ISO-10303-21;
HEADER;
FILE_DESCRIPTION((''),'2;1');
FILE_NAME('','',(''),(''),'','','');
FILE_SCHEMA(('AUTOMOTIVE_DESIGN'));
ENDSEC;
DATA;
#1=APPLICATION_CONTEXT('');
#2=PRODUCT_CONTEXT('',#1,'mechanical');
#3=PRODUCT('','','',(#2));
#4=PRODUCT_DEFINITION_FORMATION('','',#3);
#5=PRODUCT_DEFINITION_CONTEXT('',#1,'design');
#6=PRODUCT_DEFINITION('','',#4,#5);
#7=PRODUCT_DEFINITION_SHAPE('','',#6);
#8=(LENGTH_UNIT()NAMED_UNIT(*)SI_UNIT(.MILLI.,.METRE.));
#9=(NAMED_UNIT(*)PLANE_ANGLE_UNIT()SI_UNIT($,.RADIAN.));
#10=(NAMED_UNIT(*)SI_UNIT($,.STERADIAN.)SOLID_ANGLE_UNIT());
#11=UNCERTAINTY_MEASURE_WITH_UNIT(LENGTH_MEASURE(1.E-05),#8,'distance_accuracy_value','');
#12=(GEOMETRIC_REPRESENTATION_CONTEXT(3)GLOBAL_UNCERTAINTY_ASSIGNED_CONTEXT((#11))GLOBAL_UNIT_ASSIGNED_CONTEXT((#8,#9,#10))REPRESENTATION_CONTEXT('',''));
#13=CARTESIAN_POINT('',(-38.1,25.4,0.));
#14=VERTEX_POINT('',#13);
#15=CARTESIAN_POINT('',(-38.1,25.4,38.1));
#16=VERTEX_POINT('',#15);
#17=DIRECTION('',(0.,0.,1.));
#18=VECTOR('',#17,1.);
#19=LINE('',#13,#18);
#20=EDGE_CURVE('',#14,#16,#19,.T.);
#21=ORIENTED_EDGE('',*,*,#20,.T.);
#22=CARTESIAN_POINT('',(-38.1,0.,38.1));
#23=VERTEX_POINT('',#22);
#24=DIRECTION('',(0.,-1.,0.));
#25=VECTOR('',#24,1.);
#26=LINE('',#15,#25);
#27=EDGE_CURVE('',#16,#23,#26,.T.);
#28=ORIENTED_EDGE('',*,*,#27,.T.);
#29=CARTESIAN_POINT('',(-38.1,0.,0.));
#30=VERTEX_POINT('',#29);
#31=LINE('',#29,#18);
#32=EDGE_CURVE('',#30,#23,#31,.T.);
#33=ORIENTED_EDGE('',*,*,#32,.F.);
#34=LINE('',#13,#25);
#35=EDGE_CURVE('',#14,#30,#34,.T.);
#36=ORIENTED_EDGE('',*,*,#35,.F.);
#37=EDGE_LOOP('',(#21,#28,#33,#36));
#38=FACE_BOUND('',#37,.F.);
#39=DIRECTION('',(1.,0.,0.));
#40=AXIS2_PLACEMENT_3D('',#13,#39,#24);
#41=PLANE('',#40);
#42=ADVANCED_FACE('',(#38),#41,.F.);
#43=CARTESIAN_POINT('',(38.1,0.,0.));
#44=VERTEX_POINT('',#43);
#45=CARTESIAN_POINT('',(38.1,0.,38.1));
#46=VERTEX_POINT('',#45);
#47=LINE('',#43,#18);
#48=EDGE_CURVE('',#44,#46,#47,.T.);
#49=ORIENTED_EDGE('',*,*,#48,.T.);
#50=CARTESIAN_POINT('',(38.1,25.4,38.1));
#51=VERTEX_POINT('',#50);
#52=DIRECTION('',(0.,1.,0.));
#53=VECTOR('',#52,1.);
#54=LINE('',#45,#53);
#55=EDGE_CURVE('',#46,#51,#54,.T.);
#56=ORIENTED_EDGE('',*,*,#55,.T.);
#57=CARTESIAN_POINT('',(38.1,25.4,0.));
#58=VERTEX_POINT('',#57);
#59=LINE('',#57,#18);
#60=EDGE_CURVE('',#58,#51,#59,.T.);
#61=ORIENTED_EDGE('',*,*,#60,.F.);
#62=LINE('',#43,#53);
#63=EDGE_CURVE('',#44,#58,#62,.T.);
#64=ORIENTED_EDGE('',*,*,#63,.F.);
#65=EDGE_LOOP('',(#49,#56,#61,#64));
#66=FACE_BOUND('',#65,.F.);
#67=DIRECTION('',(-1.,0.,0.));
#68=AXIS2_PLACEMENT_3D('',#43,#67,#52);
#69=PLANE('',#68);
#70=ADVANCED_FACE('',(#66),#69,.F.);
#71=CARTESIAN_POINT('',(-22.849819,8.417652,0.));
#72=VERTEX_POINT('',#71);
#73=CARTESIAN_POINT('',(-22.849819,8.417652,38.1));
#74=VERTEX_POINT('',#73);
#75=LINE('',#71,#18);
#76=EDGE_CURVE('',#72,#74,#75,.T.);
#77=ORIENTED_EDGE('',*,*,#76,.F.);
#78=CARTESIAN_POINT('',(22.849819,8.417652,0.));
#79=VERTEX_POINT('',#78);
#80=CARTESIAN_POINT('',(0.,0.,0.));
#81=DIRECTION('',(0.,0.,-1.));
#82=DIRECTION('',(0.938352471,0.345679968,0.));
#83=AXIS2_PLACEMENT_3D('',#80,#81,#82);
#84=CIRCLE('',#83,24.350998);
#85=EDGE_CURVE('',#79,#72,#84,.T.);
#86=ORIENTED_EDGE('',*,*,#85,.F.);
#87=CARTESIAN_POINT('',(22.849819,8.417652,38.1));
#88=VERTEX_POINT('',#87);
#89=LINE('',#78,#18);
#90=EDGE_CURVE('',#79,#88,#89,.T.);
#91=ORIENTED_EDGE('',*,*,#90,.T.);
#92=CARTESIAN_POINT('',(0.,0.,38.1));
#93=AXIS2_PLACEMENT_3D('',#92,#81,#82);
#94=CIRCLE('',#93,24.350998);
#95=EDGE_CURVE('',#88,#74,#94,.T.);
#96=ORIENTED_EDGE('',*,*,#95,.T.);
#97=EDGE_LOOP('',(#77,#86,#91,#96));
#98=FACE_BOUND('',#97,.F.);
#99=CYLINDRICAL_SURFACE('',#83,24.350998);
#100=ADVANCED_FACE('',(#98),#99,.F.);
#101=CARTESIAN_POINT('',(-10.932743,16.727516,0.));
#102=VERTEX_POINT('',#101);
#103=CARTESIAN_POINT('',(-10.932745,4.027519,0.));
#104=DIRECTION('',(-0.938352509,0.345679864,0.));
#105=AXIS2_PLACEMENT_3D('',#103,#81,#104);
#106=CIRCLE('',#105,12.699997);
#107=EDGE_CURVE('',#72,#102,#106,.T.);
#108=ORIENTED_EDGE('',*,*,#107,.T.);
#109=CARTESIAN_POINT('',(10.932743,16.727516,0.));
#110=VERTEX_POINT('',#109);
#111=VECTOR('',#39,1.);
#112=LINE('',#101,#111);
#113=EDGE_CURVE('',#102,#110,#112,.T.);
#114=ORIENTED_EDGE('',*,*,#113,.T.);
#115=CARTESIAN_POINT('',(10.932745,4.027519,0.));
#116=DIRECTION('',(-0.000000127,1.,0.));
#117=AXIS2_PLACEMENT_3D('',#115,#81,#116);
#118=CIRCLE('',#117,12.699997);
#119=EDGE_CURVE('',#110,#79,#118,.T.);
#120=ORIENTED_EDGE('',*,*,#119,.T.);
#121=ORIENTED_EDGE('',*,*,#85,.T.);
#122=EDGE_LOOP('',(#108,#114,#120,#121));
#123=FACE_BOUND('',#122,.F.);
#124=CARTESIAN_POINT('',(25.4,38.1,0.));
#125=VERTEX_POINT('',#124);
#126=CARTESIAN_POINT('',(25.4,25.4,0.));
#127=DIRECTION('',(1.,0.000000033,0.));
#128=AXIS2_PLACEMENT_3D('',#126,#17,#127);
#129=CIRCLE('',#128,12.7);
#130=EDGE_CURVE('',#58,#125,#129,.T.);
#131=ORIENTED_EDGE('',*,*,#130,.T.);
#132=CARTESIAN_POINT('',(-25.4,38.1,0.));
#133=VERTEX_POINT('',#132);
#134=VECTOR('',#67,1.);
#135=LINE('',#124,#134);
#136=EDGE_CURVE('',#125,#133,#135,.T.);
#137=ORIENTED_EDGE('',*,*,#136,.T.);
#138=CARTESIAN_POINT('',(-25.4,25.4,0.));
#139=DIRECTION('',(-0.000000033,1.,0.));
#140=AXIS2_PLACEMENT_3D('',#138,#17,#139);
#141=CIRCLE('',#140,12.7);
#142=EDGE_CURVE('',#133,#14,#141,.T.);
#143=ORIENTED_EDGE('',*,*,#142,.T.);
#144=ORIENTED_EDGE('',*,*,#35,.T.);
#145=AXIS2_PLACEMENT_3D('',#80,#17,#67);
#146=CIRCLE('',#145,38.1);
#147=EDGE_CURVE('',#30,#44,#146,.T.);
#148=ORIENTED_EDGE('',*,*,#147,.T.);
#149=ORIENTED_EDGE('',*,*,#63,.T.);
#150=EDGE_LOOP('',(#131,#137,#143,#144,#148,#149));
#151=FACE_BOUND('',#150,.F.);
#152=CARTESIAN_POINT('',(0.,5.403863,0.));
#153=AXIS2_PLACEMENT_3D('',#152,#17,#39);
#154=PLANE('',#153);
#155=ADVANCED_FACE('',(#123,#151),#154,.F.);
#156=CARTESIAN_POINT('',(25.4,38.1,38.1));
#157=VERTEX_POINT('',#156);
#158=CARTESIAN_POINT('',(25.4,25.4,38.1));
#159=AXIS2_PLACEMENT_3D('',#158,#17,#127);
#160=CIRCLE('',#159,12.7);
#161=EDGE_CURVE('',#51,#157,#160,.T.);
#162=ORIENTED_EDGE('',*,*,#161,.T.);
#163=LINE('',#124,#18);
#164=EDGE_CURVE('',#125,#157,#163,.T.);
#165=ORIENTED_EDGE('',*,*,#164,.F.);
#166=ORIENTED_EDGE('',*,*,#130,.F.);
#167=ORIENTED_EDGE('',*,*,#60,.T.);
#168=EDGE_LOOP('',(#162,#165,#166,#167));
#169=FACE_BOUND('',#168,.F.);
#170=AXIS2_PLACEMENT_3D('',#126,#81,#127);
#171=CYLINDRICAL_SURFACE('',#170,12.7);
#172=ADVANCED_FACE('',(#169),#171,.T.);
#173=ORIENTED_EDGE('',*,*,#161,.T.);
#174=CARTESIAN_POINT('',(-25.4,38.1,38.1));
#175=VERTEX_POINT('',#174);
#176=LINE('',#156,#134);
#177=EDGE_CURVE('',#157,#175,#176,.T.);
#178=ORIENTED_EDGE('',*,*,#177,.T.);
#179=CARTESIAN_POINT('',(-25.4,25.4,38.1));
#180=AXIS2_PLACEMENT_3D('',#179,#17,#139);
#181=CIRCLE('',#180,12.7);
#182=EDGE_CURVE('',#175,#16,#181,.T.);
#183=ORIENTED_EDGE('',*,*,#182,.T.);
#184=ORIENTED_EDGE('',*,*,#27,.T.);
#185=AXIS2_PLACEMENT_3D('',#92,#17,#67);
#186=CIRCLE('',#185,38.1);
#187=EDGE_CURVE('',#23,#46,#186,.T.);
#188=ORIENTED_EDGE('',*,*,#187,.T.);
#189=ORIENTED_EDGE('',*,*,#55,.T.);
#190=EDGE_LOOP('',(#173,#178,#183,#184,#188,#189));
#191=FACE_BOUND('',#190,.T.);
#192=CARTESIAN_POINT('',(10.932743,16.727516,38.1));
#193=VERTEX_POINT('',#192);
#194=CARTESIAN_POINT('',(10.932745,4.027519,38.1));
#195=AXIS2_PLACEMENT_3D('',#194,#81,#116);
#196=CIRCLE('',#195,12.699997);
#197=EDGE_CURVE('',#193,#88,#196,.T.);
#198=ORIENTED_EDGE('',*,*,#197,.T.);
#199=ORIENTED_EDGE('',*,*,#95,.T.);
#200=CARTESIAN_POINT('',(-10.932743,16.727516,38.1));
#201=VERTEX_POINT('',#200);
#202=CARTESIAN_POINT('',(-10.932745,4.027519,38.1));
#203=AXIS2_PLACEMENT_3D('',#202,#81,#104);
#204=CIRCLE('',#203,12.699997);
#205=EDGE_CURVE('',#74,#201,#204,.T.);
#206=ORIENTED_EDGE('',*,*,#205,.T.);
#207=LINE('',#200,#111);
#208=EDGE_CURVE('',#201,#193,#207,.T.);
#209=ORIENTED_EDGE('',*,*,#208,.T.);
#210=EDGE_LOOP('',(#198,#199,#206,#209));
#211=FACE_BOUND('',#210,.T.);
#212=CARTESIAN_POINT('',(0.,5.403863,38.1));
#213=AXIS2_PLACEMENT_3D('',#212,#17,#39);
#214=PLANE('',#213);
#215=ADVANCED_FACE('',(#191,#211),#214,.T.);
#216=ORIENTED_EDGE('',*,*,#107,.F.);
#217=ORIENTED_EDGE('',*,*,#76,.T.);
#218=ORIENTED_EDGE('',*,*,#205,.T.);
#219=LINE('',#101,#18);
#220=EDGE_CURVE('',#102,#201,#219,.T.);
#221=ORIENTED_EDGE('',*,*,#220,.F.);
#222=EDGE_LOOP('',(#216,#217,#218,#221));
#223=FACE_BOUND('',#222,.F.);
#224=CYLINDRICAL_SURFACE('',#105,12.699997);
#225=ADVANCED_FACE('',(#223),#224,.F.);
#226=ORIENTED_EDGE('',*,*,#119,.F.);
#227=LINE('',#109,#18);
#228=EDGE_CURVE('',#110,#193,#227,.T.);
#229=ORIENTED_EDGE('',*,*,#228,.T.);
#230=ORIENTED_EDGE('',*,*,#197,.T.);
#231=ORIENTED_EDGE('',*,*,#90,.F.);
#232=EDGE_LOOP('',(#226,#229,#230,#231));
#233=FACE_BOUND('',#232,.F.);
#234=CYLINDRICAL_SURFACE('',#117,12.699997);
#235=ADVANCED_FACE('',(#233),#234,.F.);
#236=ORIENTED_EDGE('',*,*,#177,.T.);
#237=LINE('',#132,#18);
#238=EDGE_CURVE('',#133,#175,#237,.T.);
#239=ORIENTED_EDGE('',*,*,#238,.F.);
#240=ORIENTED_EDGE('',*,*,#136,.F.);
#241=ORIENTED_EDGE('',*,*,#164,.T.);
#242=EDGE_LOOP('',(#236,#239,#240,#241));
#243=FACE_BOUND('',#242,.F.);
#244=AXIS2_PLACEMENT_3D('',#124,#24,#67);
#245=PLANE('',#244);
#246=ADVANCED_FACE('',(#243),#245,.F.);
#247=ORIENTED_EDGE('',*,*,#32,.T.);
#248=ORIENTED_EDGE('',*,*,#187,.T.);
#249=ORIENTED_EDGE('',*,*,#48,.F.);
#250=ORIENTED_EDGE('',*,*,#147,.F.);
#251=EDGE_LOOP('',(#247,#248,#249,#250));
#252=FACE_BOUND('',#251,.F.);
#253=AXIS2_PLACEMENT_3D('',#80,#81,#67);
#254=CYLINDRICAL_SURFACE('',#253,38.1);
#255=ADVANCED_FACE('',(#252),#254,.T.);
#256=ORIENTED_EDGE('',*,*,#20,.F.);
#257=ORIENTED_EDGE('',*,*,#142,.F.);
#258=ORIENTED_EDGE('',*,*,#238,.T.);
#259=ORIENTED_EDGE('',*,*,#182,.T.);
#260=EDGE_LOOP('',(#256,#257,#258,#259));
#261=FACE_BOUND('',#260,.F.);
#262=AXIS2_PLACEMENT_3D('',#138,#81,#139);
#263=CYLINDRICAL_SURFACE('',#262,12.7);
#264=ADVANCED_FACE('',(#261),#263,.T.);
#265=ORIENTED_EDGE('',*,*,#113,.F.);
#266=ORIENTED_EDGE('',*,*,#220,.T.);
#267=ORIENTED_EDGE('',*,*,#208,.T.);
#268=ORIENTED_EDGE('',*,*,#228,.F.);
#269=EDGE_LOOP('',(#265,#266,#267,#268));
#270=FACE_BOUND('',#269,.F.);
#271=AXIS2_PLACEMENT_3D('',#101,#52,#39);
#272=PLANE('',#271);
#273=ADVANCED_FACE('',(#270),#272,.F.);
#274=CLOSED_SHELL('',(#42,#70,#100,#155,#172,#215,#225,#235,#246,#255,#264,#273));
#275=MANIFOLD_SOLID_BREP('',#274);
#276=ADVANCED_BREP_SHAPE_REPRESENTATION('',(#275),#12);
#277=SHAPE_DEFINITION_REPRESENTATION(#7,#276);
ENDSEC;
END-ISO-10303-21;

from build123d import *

# Parameters (mm, degrees)
F1_DEPTH = 38.1


with BuildPart() as f1:
    # F0 (on Top) → F1 (new body)
    with BuildSketch(Plane.XY):
        with BuildLine():
            Line((-38.1, 25.4), (-38.1, 0))
            ThreePointArc((-38.1, 0), (0, -38.1), (38.1, 0))
            Line((38.1, 0), (38.1, 25.4))
            ThreePointArc((38.1, 25.4), (34.380256, 34.380256), (25.4, 38.1))
            Line((25.4, 38.1), (0, 38.1))
            Line((0, 38.1), (-25.4, 38.1))
            ThreePointArc((-25.4, 38.1), (-34.380256, 34.380256), (-38.1, 25.4))
        make_face()
        with BuildLine():
            ThreePointArc((22.849819, 8.417652), (0, -24.350998), (-22.849819, 8.417652))
            ThreePointArc((-22.849819, 8.417652), (-18.196877, 14.444923), (-10.932743, 16.727516))
            Line((-10.932743, 16.727516), (0, 16.727516))
            Line((0, 16.727516), (10.932743, 16.727516))
            ThreePointArc((10.932743, 16.727516), (18.196877, 14.444923), (22.849819, 8.417652))
        make_face(mode=Mode.SUBTRACT)
    extrude(amount=F1_DEPTH)


solid = f1.part
